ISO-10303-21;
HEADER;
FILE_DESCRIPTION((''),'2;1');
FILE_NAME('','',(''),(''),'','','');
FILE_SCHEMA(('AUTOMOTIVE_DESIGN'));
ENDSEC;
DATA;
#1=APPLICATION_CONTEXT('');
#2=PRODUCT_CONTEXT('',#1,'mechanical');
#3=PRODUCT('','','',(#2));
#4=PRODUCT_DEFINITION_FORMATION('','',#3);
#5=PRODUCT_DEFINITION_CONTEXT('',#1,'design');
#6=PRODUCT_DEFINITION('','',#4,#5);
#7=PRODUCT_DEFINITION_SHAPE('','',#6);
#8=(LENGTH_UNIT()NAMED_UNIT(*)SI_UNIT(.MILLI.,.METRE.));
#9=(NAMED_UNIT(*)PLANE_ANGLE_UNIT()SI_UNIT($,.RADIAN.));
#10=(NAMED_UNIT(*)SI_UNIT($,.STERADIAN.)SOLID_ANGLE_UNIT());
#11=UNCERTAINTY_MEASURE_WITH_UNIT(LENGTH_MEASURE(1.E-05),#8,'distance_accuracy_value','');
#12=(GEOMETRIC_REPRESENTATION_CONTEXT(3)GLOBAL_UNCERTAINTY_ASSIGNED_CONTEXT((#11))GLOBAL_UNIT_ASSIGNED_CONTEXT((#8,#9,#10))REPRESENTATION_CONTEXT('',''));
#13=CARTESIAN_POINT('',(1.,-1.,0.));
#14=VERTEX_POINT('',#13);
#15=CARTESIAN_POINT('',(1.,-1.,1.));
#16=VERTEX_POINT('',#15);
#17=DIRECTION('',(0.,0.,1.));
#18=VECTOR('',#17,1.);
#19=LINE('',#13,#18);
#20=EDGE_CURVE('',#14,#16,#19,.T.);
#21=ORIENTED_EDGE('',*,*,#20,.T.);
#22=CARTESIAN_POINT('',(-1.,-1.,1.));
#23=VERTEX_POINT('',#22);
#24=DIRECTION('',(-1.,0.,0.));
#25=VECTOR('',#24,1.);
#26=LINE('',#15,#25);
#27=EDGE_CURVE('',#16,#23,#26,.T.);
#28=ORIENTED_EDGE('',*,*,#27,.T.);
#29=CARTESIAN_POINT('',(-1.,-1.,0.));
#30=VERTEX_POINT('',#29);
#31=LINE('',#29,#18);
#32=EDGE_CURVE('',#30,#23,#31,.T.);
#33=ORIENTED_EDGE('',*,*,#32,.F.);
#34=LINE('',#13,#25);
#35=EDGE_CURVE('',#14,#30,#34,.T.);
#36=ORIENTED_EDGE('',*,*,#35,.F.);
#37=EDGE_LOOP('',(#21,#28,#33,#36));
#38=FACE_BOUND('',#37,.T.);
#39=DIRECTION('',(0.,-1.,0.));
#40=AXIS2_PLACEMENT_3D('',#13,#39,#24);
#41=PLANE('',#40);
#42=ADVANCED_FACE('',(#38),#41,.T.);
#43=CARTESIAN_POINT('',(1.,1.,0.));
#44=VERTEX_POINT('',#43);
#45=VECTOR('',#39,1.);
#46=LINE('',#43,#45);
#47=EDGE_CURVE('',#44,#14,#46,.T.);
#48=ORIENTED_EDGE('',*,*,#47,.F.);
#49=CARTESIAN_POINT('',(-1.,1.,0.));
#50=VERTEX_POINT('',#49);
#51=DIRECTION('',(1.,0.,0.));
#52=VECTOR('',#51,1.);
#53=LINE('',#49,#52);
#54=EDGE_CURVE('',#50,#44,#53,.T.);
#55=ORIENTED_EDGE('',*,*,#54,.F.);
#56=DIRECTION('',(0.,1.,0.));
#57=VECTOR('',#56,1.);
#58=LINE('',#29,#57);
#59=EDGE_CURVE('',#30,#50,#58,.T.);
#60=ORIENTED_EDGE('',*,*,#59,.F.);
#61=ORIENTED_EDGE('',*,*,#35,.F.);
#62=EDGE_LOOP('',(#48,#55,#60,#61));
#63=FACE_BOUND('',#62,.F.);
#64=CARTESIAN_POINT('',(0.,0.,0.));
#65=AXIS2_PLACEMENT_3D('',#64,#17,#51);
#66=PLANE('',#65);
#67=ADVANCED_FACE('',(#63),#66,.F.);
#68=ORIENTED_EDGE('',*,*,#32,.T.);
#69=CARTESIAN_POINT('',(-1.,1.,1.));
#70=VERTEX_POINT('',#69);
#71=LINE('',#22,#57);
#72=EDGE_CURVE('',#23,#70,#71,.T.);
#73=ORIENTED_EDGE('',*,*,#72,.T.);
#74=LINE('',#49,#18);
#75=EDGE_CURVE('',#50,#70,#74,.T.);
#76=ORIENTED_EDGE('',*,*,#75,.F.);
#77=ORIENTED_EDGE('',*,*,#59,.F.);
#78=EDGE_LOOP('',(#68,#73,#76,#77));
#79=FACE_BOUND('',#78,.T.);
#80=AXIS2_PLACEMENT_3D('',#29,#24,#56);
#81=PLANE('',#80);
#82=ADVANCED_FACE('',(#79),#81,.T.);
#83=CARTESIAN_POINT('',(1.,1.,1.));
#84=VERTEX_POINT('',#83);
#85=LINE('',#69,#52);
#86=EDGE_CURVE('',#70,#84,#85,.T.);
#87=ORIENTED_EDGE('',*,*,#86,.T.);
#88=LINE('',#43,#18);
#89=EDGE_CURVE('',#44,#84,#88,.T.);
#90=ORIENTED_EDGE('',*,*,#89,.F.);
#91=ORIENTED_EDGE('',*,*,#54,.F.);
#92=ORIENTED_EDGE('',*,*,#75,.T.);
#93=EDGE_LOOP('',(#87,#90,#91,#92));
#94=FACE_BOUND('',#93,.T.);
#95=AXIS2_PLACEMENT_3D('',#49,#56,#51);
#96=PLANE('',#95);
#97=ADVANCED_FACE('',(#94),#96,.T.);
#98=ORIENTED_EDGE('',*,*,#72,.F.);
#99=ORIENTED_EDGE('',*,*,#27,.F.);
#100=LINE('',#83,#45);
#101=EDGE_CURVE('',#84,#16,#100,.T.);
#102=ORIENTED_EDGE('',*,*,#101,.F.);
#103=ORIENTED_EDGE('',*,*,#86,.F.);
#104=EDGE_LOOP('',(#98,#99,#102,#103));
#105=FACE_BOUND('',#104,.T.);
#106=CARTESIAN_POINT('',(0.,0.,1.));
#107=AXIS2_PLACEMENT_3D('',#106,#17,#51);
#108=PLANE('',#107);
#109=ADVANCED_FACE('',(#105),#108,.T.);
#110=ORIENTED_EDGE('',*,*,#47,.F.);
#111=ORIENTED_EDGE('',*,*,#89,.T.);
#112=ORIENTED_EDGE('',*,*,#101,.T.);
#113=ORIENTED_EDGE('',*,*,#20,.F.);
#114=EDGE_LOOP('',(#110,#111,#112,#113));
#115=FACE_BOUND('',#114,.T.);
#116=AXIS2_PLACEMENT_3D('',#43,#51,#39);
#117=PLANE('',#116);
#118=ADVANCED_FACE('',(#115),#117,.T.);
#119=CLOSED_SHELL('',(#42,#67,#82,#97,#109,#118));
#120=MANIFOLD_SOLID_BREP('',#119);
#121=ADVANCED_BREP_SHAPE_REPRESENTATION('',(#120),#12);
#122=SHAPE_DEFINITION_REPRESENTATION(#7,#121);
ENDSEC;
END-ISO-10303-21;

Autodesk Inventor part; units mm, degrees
ref_plane "YZ Plane" through (0, 0, 0) normal (1, 0, 0) x (0, 1, 0)
ref_plane "XZ Plane" through (0, 0, 0) normal (0, 1, 0) x (-1, 0, 0)
ref_plane "XY Plane" through (0, 0, 0) normal (0, 0, 1) x (1, 0, 0)
sketch "CREATIVE_COMMONS, FRAME1_CREATIVE_COMMONS_22" plane through (0, 0, 0) normal (0, 0, 1) x (1, 0, 0)
  line L0 (1, -1) -> (-1, -1)
  line L1 (-1, -1) -> (-1, 1)
  line L2 (-1, 1) -> (1, 1)
  line L3 (1, 1) -> (1, -1)
extrude "Extrusion1" add sketch "CREATIVE_COMMONS, FRAME1_CREATIVE_COMMONS_22" along normal blind 1
properties part number "FRAME1_CREATIVE_COMMONS"
